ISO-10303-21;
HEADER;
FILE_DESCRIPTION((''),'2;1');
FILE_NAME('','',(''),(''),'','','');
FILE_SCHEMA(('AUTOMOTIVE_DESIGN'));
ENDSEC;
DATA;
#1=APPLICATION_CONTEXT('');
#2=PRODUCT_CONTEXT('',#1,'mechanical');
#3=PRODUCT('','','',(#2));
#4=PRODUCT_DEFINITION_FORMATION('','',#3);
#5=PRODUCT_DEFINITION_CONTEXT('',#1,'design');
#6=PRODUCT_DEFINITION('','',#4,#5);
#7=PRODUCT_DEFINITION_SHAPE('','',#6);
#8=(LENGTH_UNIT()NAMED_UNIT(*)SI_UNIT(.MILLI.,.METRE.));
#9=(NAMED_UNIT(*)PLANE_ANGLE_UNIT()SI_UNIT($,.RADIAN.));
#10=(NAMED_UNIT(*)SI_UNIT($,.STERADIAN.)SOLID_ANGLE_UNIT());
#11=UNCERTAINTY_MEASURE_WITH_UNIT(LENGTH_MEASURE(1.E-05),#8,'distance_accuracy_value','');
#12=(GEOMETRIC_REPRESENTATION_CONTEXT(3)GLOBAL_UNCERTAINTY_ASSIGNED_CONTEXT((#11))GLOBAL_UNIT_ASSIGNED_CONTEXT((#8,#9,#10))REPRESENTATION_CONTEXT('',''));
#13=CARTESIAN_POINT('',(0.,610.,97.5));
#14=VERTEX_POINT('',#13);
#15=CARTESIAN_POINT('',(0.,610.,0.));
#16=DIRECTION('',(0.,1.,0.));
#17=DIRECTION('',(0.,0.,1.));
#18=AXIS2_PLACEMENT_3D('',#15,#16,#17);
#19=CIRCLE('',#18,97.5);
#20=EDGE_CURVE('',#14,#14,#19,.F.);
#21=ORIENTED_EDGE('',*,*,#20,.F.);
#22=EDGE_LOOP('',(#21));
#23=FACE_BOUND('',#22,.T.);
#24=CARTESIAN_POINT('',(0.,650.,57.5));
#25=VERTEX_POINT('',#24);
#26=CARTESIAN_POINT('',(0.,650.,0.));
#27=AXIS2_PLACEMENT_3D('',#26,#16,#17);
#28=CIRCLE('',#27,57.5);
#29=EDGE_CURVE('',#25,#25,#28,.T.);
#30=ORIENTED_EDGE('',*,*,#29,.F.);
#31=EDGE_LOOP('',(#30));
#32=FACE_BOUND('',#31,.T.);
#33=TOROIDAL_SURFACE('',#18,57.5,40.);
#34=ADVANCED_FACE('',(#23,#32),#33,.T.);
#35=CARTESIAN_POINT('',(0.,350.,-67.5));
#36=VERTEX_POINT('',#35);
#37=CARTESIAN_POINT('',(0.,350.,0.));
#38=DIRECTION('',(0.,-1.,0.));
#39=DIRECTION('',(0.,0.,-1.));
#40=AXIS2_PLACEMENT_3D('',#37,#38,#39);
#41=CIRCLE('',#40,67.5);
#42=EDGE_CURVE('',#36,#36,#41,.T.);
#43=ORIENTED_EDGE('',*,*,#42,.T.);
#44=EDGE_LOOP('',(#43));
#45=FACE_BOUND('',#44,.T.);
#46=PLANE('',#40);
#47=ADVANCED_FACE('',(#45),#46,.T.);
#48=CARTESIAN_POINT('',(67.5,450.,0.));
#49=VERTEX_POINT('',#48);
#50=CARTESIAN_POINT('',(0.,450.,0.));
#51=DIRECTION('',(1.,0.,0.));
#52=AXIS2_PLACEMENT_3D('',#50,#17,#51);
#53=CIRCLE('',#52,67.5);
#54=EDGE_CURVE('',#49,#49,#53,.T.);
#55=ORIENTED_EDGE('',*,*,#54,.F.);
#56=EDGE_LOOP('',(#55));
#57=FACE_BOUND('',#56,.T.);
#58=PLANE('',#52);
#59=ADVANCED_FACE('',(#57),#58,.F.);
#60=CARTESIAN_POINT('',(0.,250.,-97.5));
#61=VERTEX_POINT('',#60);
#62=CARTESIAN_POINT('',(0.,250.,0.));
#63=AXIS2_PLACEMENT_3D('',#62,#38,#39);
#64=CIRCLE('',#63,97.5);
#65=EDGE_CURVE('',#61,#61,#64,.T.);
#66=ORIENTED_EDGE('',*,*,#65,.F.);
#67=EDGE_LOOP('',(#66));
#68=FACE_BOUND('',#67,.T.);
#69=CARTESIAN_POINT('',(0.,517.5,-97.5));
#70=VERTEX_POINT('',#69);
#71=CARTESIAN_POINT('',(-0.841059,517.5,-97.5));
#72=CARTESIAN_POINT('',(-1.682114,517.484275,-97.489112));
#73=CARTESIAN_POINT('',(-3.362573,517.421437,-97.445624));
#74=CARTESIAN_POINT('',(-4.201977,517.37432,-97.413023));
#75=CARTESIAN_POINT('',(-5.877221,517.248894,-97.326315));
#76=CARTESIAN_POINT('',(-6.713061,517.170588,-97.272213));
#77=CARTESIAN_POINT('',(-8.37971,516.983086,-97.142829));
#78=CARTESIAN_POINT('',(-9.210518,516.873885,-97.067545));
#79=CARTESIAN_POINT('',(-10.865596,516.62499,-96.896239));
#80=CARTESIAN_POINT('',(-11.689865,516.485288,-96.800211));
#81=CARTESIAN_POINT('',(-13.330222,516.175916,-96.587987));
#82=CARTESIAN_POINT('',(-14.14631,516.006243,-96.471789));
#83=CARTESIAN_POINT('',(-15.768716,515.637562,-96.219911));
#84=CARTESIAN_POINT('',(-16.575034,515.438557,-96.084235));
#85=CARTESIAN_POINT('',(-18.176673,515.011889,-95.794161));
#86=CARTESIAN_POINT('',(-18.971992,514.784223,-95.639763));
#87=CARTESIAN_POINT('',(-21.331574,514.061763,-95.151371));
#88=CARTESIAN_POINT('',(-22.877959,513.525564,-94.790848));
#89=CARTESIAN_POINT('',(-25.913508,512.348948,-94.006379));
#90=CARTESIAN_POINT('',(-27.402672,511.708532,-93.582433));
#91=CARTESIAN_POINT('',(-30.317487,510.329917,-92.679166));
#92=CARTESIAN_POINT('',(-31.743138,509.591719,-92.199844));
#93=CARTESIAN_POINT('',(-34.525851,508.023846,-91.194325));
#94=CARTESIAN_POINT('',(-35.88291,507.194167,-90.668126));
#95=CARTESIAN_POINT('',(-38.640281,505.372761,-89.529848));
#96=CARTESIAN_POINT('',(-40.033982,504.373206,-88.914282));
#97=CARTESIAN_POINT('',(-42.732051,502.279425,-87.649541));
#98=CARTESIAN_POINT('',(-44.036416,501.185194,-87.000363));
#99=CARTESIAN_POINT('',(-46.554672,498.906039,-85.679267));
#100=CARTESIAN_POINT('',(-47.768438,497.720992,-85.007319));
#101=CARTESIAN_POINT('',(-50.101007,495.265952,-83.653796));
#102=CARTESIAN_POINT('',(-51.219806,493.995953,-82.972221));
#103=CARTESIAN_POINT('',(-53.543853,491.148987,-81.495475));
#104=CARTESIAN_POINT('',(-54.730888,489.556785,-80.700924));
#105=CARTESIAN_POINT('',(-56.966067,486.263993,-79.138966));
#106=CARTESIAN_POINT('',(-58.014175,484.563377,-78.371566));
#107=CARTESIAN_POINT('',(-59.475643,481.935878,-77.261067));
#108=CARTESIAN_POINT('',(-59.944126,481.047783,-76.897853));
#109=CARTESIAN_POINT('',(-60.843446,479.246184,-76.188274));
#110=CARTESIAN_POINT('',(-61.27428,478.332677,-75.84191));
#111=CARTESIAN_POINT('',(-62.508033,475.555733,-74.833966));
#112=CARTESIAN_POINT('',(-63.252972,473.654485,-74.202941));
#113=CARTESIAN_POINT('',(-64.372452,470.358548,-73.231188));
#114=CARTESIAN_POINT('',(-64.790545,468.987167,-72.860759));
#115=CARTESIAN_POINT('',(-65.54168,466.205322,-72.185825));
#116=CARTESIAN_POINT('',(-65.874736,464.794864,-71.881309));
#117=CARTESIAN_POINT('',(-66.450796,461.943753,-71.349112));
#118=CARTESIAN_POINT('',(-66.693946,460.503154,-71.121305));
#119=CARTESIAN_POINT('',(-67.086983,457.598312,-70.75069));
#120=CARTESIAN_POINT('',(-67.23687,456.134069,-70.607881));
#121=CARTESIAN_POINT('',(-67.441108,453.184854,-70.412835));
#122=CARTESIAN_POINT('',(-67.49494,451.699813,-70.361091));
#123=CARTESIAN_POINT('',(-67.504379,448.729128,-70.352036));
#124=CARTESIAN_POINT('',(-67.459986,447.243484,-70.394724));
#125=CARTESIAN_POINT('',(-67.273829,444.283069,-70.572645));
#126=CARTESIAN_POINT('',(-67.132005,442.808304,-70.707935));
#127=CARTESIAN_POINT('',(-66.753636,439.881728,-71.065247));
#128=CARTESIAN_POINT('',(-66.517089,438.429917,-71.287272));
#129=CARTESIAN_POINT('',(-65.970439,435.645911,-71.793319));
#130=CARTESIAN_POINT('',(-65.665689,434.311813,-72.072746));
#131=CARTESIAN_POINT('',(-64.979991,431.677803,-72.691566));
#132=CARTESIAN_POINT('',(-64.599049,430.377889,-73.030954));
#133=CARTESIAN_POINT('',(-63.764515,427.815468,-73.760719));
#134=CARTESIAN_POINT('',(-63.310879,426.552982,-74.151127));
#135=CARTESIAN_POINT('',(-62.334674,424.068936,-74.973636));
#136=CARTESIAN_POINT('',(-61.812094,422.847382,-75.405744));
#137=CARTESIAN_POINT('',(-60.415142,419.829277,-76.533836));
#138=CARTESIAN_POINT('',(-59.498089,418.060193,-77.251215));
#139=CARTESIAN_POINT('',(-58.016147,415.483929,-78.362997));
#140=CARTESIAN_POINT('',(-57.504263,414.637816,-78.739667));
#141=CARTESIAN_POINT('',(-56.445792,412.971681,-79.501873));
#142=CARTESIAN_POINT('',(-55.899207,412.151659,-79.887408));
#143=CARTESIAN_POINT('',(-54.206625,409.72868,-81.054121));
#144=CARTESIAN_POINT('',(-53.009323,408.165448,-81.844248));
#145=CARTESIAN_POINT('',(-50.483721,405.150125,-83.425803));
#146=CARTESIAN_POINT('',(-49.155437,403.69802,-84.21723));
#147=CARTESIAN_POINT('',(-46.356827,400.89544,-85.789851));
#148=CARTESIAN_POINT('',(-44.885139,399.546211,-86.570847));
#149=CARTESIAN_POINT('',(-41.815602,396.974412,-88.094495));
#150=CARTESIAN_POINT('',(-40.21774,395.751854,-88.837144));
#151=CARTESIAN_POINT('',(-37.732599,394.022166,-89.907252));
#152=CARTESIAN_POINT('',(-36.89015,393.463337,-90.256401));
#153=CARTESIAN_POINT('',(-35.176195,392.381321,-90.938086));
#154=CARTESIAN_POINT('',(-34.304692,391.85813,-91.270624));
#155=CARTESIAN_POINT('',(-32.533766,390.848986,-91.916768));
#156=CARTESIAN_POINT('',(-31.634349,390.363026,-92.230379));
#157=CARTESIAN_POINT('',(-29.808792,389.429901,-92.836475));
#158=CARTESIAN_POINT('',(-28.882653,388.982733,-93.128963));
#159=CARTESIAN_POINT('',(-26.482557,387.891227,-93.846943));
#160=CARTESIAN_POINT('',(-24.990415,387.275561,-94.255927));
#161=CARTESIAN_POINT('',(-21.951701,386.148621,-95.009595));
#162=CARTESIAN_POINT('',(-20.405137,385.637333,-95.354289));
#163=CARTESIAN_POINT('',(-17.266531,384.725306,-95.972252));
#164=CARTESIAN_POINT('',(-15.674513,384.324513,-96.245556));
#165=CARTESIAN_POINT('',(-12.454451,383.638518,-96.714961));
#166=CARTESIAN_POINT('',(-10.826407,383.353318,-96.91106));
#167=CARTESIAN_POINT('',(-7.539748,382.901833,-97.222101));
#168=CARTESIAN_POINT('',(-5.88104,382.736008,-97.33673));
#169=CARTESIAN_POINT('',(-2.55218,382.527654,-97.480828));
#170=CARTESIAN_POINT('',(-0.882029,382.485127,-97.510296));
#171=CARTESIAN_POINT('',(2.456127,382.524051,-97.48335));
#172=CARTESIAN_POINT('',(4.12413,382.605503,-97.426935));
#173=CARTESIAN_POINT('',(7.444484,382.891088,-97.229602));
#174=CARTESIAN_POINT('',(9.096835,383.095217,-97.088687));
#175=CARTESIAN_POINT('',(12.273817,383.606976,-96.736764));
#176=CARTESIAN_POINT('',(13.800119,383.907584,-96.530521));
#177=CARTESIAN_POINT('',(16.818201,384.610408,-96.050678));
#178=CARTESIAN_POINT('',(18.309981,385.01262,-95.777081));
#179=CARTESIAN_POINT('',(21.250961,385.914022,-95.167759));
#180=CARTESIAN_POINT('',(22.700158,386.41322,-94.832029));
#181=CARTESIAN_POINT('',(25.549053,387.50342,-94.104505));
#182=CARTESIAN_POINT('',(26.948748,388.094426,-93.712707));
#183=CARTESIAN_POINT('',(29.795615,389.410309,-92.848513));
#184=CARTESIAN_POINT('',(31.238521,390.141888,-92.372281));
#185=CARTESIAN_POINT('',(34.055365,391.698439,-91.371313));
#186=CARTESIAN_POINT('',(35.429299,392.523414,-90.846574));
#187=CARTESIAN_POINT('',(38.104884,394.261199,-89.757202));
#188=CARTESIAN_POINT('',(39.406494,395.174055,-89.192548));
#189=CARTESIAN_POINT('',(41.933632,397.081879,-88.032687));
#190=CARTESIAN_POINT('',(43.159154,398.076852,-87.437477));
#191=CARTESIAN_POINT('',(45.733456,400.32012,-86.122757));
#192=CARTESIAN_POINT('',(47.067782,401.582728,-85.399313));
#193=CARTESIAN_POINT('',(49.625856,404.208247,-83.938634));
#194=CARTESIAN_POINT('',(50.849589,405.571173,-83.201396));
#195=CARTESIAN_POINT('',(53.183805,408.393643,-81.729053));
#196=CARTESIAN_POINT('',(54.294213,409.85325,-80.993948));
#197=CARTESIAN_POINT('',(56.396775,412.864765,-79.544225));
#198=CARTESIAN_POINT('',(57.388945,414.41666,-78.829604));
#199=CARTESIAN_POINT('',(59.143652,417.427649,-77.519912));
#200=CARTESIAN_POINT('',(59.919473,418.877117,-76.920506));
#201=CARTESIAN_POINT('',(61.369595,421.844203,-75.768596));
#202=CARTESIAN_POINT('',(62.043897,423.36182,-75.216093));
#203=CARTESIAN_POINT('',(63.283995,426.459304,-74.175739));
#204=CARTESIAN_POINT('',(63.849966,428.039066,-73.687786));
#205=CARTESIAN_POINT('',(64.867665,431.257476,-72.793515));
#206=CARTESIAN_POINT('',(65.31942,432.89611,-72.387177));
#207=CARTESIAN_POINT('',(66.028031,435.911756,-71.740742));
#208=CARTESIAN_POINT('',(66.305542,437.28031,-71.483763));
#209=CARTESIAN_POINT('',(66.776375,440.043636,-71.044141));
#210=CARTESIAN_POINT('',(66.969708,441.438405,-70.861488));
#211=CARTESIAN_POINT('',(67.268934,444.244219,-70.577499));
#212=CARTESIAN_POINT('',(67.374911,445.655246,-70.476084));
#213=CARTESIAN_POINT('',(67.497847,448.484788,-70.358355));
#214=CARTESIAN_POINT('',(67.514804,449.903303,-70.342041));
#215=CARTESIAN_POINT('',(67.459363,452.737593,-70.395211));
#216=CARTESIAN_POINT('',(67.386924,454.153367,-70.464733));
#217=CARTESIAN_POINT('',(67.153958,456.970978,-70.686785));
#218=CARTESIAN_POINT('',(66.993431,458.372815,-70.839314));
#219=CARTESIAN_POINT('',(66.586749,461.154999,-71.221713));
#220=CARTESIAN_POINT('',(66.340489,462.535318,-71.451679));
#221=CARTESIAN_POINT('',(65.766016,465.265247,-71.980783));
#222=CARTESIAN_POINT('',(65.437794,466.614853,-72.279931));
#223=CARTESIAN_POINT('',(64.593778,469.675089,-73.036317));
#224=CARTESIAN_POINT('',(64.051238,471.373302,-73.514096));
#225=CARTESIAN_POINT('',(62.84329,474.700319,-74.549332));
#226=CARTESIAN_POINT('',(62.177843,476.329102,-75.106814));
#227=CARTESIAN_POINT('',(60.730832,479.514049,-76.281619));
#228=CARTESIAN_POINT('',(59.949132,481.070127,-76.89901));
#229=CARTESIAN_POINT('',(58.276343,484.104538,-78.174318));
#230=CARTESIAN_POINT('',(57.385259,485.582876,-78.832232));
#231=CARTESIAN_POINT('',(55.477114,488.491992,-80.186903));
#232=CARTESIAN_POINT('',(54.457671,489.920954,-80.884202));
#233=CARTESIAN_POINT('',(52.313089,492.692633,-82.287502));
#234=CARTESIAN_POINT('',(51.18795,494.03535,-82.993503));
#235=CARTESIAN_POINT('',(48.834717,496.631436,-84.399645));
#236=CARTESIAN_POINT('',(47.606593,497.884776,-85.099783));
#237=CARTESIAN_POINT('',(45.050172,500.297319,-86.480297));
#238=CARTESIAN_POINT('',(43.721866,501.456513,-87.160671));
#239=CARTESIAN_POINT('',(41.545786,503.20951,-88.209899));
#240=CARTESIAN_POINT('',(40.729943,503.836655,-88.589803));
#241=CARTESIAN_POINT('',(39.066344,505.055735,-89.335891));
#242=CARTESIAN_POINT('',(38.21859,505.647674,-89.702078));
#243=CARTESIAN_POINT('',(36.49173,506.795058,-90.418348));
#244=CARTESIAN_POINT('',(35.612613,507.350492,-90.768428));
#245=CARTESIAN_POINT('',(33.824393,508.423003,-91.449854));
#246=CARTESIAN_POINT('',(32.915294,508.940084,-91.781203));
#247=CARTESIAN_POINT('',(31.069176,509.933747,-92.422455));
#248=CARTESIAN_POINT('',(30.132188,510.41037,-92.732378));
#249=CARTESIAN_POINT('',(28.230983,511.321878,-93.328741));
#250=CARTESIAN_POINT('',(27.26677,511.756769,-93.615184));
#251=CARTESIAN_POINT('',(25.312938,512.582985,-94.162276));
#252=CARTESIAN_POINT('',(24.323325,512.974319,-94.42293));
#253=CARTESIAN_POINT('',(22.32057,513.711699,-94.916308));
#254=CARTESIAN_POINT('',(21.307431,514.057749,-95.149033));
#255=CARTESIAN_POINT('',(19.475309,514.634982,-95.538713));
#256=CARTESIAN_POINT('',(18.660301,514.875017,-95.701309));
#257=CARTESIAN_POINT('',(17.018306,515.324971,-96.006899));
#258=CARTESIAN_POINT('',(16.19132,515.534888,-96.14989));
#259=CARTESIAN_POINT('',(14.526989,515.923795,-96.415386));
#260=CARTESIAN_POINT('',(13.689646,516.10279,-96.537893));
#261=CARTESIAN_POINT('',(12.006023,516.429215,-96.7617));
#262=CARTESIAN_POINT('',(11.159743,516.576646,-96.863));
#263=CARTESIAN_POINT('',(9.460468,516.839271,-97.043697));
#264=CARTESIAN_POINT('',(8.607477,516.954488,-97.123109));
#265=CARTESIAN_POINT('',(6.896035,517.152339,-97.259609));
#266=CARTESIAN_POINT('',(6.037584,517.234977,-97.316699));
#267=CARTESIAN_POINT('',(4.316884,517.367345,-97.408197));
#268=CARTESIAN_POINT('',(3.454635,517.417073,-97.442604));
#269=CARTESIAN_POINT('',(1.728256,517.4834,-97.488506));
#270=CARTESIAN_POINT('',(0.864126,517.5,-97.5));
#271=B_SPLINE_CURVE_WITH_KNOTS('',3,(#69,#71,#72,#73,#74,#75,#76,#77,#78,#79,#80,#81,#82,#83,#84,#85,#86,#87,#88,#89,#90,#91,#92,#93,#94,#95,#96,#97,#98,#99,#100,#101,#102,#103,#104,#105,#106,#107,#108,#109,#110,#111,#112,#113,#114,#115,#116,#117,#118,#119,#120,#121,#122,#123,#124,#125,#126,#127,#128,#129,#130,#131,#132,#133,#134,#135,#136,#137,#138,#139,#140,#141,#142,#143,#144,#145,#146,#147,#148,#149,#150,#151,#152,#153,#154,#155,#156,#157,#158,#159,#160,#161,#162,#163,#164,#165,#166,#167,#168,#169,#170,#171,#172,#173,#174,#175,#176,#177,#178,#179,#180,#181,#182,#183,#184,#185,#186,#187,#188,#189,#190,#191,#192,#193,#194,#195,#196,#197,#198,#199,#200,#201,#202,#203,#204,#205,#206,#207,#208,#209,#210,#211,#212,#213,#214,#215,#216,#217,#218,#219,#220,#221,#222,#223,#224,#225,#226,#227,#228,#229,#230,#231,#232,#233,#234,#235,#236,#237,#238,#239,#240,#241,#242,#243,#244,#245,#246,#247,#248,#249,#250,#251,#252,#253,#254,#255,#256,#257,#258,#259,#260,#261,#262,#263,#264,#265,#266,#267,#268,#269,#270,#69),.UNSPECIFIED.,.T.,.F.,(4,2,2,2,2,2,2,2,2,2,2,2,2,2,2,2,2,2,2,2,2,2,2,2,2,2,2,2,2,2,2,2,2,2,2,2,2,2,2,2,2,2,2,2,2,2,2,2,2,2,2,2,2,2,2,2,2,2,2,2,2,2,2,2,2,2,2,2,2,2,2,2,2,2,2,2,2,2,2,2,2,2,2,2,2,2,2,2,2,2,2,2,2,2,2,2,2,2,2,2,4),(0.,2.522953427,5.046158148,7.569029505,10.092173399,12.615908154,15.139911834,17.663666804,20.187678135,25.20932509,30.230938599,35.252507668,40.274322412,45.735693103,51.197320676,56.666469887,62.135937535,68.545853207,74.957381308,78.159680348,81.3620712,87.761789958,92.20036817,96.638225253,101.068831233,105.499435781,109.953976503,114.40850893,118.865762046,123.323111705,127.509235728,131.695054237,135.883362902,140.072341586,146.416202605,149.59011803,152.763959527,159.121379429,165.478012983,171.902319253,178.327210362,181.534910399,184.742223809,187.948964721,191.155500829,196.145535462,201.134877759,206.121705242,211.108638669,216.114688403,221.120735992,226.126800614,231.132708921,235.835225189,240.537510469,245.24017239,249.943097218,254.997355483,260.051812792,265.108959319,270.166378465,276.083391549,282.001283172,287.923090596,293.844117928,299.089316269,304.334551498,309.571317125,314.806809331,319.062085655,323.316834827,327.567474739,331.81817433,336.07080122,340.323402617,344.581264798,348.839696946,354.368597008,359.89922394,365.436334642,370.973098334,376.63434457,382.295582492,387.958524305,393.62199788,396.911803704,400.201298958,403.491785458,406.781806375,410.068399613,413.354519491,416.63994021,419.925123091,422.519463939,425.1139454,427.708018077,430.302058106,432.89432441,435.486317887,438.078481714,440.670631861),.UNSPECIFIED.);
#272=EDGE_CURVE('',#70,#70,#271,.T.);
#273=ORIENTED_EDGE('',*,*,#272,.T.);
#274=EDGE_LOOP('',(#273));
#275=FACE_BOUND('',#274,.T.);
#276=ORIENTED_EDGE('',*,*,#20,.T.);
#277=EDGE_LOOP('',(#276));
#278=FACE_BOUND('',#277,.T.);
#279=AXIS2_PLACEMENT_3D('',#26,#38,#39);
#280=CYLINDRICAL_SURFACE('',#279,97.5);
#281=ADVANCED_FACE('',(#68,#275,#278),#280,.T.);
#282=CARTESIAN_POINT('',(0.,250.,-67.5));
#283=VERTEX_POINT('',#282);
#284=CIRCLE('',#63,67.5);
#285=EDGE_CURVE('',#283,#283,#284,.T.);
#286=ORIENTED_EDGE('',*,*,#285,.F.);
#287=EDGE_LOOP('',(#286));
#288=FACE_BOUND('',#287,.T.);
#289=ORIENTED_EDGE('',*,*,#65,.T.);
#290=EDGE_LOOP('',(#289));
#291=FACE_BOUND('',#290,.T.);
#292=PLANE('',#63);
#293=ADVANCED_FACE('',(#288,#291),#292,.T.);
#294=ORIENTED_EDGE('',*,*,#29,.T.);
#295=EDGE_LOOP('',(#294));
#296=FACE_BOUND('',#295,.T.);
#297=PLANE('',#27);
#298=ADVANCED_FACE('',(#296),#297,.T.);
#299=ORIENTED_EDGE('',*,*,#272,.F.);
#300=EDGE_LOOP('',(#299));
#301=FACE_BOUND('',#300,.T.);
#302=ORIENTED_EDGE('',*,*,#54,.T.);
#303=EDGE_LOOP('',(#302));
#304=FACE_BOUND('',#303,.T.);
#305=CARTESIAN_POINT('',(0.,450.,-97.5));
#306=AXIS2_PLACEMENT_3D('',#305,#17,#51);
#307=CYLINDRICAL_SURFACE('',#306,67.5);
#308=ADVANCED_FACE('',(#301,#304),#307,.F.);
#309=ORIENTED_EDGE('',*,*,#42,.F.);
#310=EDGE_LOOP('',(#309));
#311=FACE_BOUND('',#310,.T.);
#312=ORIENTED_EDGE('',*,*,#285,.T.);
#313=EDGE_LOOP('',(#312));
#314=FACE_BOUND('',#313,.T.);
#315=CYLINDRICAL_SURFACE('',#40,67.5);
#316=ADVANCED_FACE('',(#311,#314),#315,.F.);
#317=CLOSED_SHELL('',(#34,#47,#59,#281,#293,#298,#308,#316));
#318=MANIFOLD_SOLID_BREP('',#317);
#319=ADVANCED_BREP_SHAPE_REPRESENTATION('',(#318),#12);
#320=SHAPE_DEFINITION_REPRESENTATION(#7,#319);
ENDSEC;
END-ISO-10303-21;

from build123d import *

# Parameters (mm, degrees)
SKETCH1_R           = 97.5
BOSS_EXTRUDE1_DEPTH = 650
SKETCH2_R           = 97.5
SKETCH2_R_2         = 67.5
CUT_EXTRUDE4_DEPTH  = 250
SKETCH4_R           = 67.5
CUT_EXTRUDE3_DEPTH  = 98.5
FILLET1_R           = 40
SKETCH5_R           = 67.5
CUT_EXTRUDE5_DEPTH  = 350


with BuildPart() as part:
    # Sketch1 → Boss-Extrude1 (new body)
    with BuildSketch(Plane(origin=(0, 0, 0), x_dir=(1, 0, 0), z_dir=(0, 1, 0))):
        Circle(SKETCH1_R)
    extrude(amount=BOSS_EXTRUDE1_DEPTH)

    # Sketch2 → Cut-Extrude4 (cut)
    with BuildSketch(Plane.XZ):
        Circle(SKETCH2_R)
        Circle(SKETCH2_R_2, mode=Mode.SUBTRACT)
    extrude(amount=-CUT_EXTRUDE4_DEPTH, mode=Mode.SUBTRACT)

    # Sketch4 → Cut-Extrude3 (cut, through all)
    with BuildSketch(Plane.XY):
        with Locations((0, 450)):
            Circle(SKETCH4_R)
    extrude(amount=-CUT_EXTRUDE3_DEPTH, mode=Mode.SUBTRACT)

    # Fillet1
    fillet1_edges = [part.edges().sort_by_distance(p)[0] for p in [
        (-97.5, 650, 0),
    ]]
    fillet(fillet1_edges, radius=FILLET1_R)

    # Sketch5 → Cut-Extrude5 (cut)
    with BuildSketch(Plane.XZ):
        Circle(SKETCH5_R)
    extrude(amount=-CUT_EXTRUDE5_DEPTH, mode=Mode.SUBTRACT)


solid = part.part
